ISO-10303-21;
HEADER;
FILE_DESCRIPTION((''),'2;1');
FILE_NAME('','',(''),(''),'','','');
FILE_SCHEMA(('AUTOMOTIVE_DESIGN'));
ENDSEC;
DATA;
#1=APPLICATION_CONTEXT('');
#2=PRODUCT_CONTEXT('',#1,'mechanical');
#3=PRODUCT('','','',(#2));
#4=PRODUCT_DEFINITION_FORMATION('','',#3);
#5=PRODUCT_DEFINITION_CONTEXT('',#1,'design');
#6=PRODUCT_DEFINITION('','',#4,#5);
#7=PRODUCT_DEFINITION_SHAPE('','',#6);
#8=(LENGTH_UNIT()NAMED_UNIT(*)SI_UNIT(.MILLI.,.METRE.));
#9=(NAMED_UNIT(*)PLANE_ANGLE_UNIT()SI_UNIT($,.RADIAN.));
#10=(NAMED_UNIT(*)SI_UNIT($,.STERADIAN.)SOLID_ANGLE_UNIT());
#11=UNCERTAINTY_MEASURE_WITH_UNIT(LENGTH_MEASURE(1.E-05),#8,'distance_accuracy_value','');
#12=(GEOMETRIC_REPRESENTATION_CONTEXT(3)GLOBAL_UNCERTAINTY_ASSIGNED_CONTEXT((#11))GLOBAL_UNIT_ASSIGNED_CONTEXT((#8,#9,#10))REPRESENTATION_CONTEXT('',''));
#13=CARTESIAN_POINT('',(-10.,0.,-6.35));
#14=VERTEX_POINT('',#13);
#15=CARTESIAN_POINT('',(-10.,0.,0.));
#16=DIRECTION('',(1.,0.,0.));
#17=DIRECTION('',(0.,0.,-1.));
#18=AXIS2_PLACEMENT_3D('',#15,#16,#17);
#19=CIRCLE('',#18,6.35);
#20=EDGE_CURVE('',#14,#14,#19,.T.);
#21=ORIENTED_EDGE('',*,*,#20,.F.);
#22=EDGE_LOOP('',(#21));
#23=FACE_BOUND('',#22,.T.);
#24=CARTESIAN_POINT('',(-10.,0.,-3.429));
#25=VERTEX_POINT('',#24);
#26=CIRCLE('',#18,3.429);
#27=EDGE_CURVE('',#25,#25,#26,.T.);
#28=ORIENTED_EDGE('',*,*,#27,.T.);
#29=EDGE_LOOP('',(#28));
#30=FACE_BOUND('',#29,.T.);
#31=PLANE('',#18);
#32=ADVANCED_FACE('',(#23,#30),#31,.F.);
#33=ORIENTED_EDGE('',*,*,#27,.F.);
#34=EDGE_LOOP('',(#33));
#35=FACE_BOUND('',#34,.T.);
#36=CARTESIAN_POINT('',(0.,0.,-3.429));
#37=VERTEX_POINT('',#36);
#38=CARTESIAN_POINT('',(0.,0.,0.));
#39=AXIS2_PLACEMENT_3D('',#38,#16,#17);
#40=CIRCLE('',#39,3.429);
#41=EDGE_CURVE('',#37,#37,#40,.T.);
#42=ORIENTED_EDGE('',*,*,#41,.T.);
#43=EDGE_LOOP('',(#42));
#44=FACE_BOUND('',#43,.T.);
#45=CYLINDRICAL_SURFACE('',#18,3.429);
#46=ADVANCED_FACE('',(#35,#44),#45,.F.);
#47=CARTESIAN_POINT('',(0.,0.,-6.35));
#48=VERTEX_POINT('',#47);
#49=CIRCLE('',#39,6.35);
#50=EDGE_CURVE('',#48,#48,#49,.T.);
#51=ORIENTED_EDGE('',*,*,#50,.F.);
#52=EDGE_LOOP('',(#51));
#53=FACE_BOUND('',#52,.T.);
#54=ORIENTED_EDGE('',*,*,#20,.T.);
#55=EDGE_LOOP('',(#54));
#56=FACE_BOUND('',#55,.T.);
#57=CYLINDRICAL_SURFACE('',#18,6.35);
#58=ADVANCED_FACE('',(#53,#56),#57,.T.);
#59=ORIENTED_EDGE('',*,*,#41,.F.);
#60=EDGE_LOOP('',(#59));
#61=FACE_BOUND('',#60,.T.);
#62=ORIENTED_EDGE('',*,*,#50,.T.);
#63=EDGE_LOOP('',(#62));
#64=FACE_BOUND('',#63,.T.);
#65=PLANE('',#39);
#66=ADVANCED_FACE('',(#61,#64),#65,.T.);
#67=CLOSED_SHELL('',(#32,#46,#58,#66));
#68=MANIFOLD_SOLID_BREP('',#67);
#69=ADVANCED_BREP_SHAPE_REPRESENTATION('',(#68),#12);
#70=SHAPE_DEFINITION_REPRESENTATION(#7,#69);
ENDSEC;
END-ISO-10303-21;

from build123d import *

# Parameters (mm, degrees)
ESQUISSE1_R        = 6.35
ESQUISSE1_R_2      = 3.429
BOSS_EXTRU_1_DEPTH = 10


with BuildPart() as part:
    # Esquisse1 → Boss.-Extru.1 (new body)
    with BuildSketch(Plane(origin=(0, 0, 0), x_dir=(0, 0, -1), z_dir=(1, 0, 0))):
        Circle(ESQUISSE1_R)
        Circle(ESQUISSE1_R_2, mode=Mode.SUBTRACT)
    extrude(amount=-BOSS_EXTRU_1_DEPTH)


solid = part.part
